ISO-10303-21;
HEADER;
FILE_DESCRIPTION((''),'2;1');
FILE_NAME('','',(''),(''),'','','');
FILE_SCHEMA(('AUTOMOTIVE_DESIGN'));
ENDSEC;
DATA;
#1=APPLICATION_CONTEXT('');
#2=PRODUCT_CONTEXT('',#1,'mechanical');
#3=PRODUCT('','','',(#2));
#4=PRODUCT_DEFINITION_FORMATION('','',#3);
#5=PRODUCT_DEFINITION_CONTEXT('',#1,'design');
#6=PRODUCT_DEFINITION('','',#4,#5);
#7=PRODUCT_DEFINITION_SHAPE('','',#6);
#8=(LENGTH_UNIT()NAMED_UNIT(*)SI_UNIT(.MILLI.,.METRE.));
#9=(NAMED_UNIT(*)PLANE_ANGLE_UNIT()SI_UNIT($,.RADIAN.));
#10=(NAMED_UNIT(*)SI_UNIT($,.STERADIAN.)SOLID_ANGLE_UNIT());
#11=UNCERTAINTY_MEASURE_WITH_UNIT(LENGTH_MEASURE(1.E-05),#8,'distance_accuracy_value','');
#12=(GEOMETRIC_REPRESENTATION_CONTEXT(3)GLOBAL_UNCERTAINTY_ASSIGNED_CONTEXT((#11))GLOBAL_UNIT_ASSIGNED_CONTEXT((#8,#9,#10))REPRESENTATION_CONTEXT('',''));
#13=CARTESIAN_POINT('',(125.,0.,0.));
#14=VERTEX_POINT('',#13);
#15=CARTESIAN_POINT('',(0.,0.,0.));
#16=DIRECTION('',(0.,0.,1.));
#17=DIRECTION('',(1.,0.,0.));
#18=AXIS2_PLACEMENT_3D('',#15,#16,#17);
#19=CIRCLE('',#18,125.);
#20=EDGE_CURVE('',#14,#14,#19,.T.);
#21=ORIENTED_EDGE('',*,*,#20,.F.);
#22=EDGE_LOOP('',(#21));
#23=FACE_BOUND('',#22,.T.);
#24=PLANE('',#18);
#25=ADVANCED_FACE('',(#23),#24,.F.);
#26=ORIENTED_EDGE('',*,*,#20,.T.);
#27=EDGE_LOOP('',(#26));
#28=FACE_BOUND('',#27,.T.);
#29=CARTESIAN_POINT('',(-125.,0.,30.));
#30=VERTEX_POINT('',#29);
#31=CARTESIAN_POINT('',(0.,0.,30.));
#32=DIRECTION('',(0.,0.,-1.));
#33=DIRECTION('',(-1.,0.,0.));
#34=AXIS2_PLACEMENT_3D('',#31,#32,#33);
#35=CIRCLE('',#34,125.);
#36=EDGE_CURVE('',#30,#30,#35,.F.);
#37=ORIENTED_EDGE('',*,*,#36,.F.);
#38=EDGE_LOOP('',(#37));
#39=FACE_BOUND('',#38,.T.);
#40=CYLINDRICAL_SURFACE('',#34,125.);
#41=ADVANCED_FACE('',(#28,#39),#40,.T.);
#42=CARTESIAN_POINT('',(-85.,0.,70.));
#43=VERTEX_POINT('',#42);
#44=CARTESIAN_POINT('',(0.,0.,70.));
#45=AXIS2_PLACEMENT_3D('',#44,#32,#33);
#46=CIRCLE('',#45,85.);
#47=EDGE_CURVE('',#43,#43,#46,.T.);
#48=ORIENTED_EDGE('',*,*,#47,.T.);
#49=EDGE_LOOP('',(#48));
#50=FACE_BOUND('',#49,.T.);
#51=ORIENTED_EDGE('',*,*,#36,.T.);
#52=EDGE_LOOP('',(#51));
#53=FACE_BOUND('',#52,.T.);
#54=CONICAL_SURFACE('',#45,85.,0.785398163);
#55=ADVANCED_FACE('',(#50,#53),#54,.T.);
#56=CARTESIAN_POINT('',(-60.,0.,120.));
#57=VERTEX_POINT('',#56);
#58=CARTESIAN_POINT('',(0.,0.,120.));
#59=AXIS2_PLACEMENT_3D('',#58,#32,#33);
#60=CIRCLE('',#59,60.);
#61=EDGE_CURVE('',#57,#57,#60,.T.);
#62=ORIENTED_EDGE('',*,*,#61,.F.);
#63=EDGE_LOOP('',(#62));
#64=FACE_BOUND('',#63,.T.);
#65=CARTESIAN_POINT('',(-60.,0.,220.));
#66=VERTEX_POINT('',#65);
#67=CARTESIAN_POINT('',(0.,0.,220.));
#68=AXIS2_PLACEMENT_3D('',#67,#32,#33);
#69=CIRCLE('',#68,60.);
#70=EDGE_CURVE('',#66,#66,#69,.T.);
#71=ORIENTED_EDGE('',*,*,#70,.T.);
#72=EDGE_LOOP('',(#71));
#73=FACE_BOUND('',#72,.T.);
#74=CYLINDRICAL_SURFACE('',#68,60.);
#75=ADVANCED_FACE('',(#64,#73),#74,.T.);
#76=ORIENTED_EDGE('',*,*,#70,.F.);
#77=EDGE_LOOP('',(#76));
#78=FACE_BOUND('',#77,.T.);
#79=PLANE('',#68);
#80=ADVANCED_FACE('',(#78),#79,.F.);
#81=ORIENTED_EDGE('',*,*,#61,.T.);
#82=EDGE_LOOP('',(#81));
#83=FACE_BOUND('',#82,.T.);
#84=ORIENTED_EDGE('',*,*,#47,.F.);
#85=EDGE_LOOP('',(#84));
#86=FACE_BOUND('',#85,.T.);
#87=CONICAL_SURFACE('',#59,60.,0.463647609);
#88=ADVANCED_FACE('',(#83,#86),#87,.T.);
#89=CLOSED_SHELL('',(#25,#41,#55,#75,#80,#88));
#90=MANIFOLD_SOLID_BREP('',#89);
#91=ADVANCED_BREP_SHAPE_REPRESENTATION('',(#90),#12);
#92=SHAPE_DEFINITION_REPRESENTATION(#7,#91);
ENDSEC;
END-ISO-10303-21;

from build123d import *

# Parameters (mm, degrees)
SKETCH_1_R      = 125
EXTRUDE_1_DEPTH = 30
SKETCH_4_R      = 60
EXTRUDE_2_DEPTH = 100
SKETCH_3_R      = 85


with BuildPart() as part:
    # ｽｹｯﾁ1 → ﾎﾞｽ - 押し出し1 (new body)
    with BuildSketch(Plane.XY):
        Circle(SKETCH_1_R)
    extrude(amount=EXTRUDE_1_DEPTH)

    # ｽｹｯﾁ3 → section 0 of loft_1
    with BuildSketch(Plane(origin=(0, 0, 70), x_dir=(-1, 0, 0), z_dir=(0, 0, -1)), mode=Mode.PRIVATE) as loft_1_s0:
        Circle(SKETCH_3_R)
    # loft up to a face of the part (loft_1)
    loft([loft_1_s0.sketch, Face(Wire([part.edges().sort_by_distance((-85.568388241, 91.121078428, 30))[0]]))])



with BuildPart() as body_2:
    # ｽｹｯﾁ4 → ﾎﾞｽ - 押し出し2 (new body)
    with BuildSketch(Plane(origin=(0, 0, 120), x_dir=(-1, 0, 0), z_dir=(0, 0, -1))):
        Circle(SKETCH_4_R)
    extrude(amount=-EXTRUDE_2_DEPTH)


with BuildPart() as part_1:
    add(part.part)

    add(body_2.part)  # loft_2 joins it to this body
    # loft from a face of the part (loft_2)
    loft([part_1.faces().sort_by_distance((0, 0, 70))[0], part_1.faces().sort_by_distance((0, 0, 120))[0]])


solid = part_1.part
